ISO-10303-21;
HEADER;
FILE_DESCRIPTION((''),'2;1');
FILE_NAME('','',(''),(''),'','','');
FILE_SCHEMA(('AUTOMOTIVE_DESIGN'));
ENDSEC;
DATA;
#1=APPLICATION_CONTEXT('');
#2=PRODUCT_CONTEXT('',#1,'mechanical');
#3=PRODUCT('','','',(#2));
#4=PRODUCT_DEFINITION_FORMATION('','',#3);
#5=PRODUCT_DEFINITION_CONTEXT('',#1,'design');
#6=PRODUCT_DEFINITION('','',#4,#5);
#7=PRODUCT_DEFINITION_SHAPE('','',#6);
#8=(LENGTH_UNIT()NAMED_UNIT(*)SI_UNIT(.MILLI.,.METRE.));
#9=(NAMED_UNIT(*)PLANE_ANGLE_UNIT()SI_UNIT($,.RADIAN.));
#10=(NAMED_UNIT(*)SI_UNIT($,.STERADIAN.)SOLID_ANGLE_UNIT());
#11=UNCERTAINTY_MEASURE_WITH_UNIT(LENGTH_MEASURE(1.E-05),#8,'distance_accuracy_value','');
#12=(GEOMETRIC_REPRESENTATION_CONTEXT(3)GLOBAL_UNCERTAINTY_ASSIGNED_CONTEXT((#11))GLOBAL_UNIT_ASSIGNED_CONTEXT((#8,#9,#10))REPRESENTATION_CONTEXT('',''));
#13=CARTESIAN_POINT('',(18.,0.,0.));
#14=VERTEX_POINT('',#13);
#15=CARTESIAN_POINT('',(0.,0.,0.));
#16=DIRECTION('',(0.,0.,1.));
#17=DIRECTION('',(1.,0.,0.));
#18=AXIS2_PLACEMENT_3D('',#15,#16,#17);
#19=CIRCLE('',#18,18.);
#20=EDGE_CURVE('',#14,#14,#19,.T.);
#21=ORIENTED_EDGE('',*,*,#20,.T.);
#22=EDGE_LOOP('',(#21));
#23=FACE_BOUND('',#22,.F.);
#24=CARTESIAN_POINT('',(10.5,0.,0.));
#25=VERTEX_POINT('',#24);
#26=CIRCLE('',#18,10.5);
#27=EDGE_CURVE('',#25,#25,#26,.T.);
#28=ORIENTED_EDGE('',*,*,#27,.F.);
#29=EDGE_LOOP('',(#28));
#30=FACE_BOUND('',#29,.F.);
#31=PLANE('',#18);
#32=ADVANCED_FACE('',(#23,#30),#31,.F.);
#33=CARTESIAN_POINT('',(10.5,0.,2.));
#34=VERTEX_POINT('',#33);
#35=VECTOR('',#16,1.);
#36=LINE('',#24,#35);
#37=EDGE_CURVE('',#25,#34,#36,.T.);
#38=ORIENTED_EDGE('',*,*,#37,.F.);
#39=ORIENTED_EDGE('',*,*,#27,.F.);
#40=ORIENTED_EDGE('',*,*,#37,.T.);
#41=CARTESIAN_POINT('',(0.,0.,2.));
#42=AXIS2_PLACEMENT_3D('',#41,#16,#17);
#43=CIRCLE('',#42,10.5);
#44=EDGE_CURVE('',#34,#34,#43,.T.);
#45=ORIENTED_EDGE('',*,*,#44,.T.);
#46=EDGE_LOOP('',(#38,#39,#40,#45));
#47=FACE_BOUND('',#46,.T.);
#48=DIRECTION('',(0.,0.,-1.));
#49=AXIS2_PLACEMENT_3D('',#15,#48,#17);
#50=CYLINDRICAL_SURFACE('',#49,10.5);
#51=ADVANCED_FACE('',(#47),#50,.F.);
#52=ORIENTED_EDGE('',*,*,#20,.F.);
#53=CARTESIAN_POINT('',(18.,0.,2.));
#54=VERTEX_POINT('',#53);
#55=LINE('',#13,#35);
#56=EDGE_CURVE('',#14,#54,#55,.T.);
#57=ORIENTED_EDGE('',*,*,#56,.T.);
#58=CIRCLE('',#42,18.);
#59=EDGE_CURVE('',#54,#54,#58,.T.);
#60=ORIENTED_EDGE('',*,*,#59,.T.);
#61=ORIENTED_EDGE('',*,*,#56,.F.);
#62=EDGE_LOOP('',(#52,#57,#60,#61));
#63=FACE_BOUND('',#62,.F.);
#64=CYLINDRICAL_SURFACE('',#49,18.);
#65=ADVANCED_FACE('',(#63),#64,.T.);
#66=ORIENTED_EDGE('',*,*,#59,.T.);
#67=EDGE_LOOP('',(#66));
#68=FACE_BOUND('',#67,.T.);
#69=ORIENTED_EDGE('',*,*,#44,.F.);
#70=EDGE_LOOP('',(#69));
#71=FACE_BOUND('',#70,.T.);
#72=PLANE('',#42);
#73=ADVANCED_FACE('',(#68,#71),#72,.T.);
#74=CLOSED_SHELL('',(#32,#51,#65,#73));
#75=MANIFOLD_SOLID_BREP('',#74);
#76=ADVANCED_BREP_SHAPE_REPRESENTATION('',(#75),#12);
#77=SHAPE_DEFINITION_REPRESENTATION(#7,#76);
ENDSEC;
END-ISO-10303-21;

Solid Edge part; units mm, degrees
sketch "Sketch1" plane through (0, 0, 0) normal (0, 0, 1) x (1, 0, 0)
  circle A0 centre (0, 0) radius 18
  circle A1 centre (0, 0) radius 10.5
  dimension "D1" = 21
  dimension "D2" = 36
extrude "Protrusion1" add sketch "Sketch1" along normal blind 2
properties material "Aluminum, 6061-T6"
